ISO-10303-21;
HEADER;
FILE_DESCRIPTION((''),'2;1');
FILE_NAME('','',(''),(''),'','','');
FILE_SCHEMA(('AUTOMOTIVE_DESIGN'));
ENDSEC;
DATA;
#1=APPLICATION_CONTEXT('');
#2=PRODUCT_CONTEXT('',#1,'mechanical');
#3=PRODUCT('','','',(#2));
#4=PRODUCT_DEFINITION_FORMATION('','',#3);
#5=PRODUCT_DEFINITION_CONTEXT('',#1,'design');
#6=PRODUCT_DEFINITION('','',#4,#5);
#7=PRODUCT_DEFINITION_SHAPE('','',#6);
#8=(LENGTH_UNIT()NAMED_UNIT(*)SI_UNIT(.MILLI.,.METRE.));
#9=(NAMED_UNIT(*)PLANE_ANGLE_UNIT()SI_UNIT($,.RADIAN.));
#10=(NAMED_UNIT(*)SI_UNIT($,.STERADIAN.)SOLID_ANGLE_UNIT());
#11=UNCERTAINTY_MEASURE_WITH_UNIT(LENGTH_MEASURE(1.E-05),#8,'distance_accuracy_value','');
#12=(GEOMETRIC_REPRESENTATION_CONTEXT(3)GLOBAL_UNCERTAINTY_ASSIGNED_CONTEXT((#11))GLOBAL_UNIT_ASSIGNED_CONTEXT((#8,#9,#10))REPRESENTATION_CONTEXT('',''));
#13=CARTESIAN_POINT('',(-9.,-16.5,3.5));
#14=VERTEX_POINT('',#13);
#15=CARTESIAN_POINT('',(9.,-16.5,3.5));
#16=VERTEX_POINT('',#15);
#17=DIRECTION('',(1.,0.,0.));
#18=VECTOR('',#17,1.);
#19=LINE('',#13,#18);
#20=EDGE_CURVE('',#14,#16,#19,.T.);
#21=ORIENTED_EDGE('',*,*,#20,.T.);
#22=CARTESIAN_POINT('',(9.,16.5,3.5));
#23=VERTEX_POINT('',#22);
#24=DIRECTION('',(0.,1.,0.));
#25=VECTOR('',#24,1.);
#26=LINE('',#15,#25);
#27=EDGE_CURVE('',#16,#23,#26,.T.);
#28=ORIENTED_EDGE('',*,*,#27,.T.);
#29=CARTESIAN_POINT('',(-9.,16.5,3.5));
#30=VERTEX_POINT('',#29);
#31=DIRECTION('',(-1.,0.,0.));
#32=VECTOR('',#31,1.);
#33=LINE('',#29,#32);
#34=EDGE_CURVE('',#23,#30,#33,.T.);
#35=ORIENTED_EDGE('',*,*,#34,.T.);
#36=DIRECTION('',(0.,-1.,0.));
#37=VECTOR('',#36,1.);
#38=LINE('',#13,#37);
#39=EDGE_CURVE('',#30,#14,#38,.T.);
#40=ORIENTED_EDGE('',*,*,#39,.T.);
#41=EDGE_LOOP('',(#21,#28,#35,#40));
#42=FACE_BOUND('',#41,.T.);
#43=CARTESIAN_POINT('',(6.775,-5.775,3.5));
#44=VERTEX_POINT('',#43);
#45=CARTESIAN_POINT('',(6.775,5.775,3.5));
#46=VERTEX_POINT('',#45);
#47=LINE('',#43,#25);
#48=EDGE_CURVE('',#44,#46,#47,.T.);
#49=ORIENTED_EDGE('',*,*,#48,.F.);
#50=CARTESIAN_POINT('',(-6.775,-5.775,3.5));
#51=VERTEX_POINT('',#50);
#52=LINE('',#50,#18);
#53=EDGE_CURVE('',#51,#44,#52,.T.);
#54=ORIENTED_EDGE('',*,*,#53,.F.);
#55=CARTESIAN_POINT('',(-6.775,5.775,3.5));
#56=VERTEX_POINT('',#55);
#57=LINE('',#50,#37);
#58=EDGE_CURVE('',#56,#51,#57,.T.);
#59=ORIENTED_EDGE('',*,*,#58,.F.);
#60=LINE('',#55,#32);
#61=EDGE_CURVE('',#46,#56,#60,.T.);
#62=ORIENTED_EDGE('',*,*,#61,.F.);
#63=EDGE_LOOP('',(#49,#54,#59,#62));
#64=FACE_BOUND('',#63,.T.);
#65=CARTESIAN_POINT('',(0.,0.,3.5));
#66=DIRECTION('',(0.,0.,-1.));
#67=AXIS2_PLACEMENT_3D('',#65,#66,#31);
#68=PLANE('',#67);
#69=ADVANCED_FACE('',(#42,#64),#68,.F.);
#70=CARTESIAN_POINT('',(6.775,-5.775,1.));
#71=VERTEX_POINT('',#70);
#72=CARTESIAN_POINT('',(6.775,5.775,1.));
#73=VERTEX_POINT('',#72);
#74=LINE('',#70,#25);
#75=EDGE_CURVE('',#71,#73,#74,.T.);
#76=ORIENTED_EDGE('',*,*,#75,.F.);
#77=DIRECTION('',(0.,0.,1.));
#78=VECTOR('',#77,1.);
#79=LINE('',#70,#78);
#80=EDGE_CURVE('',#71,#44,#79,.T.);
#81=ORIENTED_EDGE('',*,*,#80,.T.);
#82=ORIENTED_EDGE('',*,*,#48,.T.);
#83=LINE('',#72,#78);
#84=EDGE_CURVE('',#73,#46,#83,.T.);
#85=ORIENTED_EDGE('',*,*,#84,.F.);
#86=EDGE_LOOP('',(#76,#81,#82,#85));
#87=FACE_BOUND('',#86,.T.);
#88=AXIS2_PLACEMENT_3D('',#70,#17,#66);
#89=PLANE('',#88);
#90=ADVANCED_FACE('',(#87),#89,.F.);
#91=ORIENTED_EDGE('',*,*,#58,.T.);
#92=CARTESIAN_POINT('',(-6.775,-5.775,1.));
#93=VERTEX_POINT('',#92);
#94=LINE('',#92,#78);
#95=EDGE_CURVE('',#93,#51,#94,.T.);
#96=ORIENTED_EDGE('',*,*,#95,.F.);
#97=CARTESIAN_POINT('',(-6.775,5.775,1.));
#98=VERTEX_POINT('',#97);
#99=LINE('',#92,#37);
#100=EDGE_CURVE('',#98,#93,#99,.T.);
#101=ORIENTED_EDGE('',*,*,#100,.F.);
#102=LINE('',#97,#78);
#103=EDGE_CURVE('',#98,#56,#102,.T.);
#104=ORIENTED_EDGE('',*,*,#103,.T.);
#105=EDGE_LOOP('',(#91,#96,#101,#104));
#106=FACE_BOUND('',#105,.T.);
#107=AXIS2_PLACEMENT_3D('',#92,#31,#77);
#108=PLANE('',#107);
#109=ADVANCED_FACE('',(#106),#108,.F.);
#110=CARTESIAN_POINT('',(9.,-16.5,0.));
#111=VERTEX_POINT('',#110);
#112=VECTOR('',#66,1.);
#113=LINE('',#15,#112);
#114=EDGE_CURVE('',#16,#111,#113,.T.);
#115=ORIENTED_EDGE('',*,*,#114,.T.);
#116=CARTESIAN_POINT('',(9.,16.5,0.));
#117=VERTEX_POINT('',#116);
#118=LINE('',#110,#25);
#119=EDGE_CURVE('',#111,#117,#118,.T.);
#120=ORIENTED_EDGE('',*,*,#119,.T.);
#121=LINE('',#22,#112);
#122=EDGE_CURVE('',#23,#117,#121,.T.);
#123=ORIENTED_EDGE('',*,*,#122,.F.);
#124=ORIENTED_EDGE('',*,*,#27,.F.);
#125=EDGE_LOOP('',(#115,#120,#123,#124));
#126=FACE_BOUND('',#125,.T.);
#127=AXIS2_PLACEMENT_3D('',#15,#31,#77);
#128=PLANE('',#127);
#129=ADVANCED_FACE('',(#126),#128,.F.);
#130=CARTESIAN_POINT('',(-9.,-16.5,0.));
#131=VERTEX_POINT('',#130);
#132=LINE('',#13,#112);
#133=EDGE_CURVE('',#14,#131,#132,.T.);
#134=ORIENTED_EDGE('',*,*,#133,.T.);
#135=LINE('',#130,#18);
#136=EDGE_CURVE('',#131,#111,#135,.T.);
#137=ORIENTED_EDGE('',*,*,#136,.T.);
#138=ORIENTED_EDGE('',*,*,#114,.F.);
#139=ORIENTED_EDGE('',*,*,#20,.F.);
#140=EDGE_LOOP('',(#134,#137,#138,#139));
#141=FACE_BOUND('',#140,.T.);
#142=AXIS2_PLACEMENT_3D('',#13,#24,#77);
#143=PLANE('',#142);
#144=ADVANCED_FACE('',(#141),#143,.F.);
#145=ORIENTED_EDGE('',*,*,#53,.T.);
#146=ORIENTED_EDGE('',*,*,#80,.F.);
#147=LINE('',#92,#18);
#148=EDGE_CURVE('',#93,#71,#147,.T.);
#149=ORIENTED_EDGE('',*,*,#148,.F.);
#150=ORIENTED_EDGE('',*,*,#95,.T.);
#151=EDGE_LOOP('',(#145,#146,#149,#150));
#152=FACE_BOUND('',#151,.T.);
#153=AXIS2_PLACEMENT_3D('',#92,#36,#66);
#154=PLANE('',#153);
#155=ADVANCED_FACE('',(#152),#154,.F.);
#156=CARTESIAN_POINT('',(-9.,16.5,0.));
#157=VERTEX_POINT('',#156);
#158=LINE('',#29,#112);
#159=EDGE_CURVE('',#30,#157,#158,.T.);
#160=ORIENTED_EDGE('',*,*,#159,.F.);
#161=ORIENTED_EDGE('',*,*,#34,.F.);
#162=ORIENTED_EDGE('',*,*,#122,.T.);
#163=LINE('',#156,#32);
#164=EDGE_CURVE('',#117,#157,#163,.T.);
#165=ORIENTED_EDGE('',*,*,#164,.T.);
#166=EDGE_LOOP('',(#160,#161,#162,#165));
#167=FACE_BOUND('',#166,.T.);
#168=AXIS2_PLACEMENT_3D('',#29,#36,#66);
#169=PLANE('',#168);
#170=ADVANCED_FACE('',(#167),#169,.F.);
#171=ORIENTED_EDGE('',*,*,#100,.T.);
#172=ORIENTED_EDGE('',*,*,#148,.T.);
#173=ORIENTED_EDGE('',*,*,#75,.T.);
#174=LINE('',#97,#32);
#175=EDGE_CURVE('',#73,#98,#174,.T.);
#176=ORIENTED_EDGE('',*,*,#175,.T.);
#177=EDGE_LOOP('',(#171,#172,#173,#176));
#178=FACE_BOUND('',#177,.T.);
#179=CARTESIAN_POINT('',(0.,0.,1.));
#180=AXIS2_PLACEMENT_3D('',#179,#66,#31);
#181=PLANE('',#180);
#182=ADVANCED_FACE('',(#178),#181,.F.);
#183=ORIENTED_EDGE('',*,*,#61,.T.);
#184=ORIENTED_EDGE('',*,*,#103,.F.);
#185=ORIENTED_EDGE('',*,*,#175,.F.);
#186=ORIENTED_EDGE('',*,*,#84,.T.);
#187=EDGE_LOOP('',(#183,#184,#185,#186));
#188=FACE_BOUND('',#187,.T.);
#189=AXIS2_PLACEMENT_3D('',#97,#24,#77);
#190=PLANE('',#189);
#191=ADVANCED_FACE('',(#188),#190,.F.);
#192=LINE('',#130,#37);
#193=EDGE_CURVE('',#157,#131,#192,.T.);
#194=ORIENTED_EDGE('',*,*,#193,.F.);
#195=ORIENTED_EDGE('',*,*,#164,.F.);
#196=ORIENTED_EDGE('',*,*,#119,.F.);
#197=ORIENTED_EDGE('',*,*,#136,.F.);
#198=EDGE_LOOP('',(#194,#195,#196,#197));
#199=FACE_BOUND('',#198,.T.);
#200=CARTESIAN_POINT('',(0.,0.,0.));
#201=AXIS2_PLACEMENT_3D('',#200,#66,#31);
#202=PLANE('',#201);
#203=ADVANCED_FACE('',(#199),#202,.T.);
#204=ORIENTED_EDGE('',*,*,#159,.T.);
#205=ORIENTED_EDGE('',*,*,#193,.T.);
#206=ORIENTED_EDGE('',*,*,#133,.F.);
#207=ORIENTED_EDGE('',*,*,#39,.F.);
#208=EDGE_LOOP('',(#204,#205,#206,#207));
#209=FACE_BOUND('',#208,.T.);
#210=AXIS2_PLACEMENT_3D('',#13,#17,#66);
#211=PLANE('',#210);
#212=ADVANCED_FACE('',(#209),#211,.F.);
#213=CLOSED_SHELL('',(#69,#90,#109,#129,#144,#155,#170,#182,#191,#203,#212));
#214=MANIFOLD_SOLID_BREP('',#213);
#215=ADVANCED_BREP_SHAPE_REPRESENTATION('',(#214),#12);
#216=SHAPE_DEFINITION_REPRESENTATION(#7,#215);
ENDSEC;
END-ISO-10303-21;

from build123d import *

# Parameters (mm, degrees)
SKETCH_1_W          = 18
SKETCH_1_H          = 33
EXTRUDE_1_DEPTH     = 3.5
SKETCH_2_W          = 13.55
SKETCH_2_H          = 11.55
CUT_EXTRUDE_1_DEPTH = 2.5


with BuildPart() as part:
    # 스케치1 → 보스-돌출1 (new body)
    with BuildSketch(Plane.XY):
        Rectangle(SKETCH_1_W, SKETCH_1_H)
    extrude(amount=EXTRUDE_1_DEPTH)

    # 스케치2 → 컷-돌출1 (cut)
    with BuildSketch(Plane.XY.offset(3.5)):
        Rectangle(SKETCH_2_W, SKETCH_2_H)
    extrude(amount=-CUT_EXTRUDE_1_DEPTH, mode=Mode.SUBTRACT)


solid = part.part
